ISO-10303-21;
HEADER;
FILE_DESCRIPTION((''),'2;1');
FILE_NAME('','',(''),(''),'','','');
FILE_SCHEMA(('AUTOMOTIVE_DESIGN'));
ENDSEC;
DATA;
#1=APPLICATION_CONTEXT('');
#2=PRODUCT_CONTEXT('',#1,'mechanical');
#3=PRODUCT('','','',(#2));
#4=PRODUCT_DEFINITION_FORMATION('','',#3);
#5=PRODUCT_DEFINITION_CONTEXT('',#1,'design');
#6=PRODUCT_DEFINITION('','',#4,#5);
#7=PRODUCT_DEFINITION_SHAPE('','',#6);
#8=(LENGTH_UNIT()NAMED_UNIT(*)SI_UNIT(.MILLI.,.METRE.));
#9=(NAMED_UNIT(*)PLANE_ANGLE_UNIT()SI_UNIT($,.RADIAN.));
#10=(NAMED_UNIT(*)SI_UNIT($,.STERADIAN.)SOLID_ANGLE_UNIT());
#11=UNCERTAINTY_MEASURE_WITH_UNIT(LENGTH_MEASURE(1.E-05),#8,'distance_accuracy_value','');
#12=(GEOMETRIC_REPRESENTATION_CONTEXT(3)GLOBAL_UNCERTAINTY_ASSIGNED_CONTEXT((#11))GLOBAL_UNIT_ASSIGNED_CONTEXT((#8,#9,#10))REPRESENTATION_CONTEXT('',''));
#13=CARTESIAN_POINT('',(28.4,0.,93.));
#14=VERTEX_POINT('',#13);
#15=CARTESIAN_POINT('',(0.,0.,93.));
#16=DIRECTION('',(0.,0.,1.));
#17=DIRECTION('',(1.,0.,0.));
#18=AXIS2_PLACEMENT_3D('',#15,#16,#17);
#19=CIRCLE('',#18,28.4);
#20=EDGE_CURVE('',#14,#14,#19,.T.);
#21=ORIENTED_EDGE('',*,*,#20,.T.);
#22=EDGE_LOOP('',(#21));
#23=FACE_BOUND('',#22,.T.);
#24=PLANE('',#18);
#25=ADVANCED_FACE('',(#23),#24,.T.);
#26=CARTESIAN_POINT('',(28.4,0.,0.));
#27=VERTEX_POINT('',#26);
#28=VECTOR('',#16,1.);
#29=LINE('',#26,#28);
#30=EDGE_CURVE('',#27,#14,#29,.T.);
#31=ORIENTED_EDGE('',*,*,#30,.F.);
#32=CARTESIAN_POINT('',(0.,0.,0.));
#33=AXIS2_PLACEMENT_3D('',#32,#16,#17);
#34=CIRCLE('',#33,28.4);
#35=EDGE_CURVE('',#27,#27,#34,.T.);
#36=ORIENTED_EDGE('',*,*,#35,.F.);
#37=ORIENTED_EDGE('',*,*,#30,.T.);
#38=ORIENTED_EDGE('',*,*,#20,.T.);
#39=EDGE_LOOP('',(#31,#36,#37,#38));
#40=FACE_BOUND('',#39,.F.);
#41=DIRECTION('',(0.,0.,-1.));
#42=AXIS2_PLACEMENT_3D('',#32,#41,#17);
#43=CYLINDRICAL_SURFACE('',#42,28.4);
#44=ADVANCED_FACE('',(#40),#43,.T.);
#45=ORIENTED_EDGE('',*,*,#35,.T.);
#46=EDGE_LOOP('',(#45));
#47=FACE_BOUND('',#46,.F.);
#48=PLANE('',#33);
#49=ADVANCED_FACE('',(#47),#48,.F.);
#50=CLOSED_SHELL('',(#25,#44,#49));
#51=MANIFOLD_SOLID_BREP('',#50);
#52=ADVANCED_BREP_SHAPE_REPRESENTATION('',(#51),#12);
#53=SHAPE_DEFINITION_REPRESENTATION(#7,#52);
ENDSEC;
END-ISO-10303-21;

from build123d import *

# Parameters (mm, degrees)
SKIZZE1_R                       = 28.4
AUFSATZ_LINEAR_AUSTRAGEN1_DEPTH = 93


with BuildPart() as part:
    # Skizze1 → Aufsatz-Linear austragen1 (new body)
    with BuildSketch(Plane.XY):
        Circle(SKIZZE1_R)
    extrude(amount=AUFSATZ_LINEAR_AUSTRAGEN1_DEPTH)


solid = part.part
